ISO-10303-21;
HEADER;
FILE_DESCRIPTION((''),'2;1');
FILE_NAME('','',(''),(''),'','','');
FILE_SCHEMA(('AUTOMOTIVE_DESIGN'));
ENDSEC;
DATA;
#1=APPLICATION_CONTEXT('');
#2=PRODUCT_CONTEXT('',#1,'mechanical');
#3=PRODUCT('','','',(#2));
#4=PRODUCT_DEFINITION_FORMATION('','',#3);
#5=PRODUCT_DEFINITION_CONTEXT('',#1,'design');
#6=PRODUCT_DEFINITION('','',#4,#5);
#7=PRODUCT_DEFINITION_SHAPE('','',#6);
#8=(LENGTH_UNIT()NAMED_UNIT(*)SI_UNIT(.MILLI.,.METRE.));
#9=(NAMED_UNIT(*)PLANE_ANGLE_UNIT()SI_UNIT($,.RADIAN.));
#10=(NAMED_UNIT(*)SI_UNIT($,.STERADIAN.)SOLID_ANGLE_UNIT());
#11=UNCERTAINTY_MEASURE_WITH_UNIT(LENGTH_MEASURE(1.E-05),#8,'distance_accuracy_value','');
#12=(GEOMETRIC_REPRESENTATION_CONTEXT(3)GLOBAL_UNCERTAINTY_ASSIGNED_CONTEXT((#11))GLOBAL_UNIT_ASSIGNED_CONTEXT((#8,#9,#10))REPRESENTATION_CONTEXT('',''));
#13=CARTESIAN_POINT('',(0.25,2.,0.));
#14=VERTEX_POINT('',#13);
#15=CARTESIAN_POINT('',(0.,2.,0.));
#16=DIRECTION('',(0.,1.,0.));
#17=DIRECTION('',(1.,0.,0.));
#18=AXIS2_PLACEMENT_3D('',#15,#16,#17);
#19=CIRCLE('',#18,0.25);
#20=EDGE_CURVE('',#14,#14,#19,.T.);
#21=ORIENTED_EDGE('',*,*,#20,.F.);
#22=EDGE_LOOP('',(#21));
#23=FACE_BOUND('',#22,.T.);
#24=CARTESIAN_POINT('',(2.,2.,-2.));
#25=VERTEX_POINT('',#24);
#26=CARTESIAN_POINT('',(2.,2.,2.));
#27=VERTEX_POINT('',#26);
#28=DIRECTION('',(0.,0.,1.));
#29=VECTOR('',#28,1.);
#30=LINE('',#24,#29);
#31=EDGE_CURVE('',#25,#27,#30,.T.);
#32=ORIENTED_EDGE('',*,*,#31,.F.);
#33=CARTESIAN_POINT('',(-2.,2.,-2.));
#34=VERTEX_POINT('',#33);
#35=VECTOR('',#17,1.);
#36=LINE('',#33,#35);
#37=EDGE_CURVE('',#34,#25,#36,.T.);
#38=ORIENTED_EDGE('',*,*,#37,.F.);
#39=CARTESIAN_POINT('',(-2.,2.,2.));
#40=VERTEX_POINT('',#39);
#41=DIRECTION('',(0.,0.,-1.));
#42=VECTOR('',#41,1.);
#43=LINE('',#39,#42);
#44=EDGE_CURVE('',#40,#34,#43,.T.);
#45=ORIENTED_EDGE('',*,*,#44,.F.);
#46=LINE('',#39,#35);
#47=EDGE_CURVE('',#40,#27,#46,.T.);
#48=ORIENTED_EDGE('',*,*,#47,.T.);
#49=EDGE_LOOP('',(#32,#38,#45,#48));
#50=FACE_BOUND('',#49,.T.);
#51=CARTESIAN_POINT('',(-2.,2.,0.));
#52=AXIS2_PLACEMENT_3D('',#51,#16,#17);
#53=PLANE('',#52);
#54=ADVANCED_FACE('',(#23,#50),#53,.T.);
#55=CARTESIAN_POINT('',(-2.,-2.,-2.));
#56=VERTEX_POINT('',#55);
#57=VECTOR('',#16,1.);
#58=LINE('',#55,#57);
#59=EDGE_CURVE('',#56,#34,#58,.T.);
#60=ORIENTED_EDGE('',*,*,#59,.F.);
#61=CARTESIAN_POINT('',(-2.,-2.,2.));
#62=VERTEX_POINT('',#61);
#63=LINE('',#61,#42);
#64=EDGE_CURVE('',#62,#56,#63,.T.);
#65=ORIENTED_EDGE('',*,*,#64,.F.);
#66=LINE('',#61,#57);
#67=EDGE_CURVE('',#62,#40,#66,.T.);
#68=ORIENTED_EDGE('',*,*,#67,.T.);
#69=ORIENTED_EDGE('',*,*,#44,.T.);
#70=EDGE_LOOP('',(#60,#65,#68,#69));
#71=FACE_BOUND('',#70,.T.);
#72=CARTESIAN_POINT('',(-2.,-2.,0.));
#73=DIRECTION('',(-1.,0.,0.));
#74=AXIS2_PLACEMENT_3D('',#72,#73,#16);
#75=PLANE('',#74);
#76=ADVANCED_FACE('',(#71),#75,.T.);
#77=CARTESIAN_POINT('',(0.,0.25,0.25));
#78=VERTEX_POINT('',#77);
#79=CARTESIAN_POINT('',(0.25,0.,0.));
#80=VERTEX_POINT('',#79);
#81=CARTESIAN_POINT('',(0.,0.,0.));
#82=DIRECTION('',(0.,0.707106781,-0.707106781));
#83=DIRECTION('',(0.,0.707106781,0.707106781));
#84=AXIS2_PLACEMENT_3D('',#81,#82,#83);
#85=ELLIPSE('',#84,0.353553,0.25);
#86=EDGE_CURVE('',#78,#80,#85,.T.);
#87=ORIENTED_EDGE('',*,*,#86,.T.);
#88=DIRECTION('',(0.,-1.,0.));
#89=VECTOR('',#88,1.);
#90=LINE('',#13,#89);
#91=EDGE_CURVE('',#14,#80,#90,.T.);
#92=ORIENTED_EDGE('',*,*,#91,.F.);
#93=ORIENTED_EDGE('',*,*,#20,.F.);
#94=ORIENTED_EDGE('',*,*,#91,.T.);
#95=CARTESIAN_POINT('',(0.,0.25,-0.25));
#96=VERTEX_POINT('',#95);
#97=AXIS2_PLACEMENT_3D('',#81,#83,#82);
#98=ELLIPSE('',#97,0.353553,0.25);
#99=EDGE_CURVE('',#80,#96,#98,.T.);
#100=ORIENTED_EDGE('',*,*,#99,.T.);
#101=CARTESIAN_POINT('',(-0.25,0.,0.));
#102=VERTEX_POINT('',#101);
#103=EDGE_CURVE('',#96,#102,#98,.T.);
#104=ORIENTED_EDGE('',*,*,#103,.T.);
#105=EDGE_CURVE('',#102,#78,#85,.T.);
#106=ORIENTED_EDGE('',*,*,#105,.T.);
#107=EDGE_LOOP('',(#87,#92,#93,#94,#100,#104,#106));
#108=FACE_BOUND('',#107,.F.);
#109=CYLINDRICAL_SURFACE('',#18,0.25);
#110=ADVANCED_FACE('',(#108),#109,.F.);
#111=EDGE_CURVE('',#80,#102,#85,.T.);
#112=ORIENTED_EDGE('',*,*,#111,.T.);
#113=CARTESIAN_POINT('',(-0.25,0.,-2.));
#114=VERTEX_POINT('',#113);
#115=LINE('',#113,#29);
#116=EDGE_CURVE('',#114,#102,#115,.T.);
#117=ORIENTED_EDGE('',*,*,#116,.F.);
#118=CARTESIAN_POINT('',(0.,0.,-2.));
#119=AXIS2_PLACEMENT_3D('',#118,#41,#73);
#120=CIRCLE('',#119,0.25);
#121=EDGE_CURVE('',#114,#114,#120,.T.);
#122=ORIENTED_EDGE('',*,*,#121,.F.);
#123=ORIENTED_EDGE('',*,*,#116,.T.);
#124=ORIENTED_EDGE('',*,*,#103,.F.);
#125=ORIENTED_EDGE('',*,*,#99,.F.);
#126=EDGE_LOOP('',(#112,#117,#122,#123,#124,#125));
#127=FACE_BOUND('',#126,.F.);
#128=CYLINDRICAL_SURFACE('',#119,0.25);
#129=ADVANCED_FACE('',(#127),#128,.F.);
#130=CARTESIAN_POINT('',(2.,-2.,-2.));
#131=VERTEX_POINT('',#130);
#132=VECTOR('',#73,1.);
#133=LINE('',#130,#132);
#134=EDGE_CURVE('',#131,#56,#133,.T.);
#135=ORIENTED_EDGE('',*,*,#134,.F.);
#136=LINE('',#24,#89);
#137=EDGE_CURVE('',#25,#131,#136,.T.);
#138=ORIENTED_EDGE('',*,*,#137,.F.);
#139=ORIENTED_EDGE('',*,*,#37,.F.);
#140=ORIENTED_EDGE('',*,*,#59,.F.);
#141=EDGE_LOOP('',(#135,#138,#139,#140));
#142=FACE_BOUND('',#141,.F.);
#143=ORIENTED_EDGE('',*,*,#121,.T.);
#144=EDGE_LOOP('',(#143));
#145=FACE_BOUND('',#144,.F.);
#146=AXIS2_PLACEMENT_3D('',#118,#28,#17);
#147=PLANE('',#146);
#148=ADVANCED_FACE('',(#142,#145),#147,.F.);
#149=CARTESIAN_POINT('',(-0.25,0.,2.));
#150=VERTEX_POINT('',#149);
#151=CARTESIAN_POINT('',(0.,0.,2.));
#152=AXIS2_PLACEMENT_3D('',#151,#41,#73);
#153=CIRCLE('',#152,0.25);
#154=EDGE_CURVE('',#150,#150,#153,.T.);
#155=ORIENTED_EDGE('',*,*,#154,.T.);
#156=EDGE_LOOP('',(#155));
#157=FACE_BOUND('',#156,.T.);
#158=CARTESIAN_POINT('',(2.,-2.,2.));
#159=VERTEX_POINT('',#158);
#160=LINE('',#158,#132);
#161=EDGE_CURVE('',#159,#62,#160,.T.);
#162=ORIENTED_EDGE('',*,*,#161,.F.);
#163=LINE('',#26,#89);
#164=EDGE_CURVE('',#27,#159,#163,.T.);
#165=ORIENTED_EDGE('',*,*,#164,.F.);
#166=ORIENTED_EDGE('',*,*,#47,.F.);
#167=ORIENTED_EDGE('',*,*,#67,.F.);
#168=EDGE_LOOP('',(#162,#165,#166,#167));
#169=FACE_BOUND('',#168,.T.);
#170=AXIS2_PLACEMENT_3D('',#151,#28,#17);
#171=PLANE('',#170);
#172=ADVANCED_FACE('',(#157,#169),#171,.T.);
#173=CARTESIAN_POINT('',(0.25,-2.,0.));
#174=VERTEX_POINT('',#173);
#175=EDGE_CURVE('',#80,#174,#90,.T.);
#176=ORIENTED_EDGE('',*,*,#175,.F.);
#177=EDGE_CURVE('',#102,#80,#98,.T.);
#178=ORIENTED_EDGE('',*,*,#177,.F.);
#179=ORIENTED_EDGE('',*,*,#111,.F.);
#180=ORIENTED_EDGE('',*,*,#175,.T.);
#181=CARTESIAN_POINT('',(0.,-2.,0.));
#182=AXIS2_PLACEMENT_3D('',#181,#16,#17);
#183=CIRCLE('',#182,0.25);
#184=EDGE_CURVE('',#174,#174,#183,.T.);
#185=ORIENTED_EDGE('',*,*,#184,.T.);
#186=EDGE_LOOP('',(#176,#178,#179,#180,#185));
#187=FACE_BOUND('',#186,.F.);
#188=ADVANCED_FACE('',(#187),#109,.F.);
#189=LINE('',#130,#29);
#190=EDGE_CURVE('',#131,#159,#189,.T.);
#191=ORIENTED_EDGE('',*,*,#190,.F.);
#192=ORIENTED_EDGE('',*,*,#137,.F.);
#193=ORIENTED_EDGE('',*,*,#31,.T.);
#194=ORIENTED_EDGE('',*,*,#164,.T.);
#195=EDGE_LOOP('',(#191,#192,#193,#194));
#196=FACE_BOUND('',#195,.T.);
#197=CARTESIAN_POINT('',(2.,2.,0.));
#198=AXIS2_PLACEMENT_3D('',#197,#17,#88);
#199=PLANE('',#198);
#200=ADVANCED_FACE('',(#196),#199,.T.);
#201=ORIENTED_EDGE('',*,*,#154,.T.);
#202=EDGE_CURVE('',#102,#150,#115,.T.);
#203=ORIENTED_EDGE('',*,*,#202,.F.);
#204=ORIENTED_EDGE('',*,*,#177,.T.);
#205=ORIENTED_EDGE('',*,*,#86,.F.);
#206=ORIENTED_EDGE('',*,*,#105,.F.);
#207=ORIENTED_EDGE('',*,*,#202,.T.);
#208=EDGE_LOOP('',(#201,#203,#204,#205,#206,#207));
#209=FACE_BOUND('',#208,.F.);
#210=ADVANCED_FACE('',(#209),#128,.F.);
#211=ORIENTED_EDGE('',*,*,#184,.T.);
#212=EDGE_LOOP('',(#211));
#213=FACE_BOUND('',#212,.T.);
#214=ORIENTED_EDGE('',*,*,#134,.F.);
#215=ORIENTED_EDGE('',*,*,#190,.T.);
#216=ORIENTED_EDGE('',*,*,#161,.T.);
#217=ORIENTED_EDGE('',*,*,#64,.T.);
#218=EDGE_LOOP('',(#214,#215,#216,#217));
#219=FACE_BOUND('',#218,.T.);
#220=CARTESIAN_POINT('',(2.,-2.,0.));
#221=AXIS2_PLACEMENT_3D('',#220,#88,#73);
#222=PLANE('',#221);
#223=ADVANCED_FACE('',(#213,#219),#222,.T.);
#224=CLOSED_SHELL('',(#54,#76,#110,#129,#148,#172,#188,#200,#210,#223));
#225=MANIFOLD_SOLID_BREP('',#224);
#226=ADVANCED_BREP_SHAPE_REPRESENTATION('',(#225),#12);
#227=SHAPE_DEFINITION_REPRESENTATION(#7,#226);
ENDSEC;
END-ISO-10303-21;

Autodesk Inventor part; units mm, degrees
ref_plane "YZ Plane" through (0, 0, 0) normal (1, 0, 0) x (0, 1, 0)
ref_plane "XZ Plane" through (0, 0, 0) normal (0, 1, 0) x (-1, 0, 0)
ref_plane "XY Plane" through (0, 0, 0) normal (0, 0, 1) x (1, 0, 0)
sketch "Skizze1" plane through (0, 0, 0) normal (0, 0, 1) x (1, 0, 0)
  line L0 (2, -2) -> (-2, -2)
  line L1 (-2, -2) -> (-2, 2)
  line L2 (-2, 2) -> (2, 2)
  line L3 (2, 2) -> (2, -2)
  line L4 (2, -2) -> (-2, 2) construction
  line L5 (-2, -2) -> (2, 2) construction
  point P0 (0, 0)
  dimension "d0" = 4
  dimension "d1" = 4
extrude "Extrusion1" add sketch "Skizze1" along normal mid plane 4
sketch "Skizze2" plane through (-2, 2, 2) normal (0, 1, 0) x (1, 0, 0)
  circle A0 centre (2, 2) radius 0.25
  dimension "d4" = 0.5
extrude "Extrusion2" cut sketch "Skizze2" against normal blind 4
sketch "Skizze3" plane through (0, 0, -2) normal (0, 0, -1) x (-1, 0, 0)
  circle A0 centre (0, 0) radius 0.25
  dimension "d7" = 0.5
extrude "Extrusion3" cut sketch "Skizze3" against normal blind 4
ref_plane "Arbeitsebene1" through (0, -2, 2) normal (1, 0, 0) x (0, 0, -1)
properties part number "00_BS_KES400A_4mm"
